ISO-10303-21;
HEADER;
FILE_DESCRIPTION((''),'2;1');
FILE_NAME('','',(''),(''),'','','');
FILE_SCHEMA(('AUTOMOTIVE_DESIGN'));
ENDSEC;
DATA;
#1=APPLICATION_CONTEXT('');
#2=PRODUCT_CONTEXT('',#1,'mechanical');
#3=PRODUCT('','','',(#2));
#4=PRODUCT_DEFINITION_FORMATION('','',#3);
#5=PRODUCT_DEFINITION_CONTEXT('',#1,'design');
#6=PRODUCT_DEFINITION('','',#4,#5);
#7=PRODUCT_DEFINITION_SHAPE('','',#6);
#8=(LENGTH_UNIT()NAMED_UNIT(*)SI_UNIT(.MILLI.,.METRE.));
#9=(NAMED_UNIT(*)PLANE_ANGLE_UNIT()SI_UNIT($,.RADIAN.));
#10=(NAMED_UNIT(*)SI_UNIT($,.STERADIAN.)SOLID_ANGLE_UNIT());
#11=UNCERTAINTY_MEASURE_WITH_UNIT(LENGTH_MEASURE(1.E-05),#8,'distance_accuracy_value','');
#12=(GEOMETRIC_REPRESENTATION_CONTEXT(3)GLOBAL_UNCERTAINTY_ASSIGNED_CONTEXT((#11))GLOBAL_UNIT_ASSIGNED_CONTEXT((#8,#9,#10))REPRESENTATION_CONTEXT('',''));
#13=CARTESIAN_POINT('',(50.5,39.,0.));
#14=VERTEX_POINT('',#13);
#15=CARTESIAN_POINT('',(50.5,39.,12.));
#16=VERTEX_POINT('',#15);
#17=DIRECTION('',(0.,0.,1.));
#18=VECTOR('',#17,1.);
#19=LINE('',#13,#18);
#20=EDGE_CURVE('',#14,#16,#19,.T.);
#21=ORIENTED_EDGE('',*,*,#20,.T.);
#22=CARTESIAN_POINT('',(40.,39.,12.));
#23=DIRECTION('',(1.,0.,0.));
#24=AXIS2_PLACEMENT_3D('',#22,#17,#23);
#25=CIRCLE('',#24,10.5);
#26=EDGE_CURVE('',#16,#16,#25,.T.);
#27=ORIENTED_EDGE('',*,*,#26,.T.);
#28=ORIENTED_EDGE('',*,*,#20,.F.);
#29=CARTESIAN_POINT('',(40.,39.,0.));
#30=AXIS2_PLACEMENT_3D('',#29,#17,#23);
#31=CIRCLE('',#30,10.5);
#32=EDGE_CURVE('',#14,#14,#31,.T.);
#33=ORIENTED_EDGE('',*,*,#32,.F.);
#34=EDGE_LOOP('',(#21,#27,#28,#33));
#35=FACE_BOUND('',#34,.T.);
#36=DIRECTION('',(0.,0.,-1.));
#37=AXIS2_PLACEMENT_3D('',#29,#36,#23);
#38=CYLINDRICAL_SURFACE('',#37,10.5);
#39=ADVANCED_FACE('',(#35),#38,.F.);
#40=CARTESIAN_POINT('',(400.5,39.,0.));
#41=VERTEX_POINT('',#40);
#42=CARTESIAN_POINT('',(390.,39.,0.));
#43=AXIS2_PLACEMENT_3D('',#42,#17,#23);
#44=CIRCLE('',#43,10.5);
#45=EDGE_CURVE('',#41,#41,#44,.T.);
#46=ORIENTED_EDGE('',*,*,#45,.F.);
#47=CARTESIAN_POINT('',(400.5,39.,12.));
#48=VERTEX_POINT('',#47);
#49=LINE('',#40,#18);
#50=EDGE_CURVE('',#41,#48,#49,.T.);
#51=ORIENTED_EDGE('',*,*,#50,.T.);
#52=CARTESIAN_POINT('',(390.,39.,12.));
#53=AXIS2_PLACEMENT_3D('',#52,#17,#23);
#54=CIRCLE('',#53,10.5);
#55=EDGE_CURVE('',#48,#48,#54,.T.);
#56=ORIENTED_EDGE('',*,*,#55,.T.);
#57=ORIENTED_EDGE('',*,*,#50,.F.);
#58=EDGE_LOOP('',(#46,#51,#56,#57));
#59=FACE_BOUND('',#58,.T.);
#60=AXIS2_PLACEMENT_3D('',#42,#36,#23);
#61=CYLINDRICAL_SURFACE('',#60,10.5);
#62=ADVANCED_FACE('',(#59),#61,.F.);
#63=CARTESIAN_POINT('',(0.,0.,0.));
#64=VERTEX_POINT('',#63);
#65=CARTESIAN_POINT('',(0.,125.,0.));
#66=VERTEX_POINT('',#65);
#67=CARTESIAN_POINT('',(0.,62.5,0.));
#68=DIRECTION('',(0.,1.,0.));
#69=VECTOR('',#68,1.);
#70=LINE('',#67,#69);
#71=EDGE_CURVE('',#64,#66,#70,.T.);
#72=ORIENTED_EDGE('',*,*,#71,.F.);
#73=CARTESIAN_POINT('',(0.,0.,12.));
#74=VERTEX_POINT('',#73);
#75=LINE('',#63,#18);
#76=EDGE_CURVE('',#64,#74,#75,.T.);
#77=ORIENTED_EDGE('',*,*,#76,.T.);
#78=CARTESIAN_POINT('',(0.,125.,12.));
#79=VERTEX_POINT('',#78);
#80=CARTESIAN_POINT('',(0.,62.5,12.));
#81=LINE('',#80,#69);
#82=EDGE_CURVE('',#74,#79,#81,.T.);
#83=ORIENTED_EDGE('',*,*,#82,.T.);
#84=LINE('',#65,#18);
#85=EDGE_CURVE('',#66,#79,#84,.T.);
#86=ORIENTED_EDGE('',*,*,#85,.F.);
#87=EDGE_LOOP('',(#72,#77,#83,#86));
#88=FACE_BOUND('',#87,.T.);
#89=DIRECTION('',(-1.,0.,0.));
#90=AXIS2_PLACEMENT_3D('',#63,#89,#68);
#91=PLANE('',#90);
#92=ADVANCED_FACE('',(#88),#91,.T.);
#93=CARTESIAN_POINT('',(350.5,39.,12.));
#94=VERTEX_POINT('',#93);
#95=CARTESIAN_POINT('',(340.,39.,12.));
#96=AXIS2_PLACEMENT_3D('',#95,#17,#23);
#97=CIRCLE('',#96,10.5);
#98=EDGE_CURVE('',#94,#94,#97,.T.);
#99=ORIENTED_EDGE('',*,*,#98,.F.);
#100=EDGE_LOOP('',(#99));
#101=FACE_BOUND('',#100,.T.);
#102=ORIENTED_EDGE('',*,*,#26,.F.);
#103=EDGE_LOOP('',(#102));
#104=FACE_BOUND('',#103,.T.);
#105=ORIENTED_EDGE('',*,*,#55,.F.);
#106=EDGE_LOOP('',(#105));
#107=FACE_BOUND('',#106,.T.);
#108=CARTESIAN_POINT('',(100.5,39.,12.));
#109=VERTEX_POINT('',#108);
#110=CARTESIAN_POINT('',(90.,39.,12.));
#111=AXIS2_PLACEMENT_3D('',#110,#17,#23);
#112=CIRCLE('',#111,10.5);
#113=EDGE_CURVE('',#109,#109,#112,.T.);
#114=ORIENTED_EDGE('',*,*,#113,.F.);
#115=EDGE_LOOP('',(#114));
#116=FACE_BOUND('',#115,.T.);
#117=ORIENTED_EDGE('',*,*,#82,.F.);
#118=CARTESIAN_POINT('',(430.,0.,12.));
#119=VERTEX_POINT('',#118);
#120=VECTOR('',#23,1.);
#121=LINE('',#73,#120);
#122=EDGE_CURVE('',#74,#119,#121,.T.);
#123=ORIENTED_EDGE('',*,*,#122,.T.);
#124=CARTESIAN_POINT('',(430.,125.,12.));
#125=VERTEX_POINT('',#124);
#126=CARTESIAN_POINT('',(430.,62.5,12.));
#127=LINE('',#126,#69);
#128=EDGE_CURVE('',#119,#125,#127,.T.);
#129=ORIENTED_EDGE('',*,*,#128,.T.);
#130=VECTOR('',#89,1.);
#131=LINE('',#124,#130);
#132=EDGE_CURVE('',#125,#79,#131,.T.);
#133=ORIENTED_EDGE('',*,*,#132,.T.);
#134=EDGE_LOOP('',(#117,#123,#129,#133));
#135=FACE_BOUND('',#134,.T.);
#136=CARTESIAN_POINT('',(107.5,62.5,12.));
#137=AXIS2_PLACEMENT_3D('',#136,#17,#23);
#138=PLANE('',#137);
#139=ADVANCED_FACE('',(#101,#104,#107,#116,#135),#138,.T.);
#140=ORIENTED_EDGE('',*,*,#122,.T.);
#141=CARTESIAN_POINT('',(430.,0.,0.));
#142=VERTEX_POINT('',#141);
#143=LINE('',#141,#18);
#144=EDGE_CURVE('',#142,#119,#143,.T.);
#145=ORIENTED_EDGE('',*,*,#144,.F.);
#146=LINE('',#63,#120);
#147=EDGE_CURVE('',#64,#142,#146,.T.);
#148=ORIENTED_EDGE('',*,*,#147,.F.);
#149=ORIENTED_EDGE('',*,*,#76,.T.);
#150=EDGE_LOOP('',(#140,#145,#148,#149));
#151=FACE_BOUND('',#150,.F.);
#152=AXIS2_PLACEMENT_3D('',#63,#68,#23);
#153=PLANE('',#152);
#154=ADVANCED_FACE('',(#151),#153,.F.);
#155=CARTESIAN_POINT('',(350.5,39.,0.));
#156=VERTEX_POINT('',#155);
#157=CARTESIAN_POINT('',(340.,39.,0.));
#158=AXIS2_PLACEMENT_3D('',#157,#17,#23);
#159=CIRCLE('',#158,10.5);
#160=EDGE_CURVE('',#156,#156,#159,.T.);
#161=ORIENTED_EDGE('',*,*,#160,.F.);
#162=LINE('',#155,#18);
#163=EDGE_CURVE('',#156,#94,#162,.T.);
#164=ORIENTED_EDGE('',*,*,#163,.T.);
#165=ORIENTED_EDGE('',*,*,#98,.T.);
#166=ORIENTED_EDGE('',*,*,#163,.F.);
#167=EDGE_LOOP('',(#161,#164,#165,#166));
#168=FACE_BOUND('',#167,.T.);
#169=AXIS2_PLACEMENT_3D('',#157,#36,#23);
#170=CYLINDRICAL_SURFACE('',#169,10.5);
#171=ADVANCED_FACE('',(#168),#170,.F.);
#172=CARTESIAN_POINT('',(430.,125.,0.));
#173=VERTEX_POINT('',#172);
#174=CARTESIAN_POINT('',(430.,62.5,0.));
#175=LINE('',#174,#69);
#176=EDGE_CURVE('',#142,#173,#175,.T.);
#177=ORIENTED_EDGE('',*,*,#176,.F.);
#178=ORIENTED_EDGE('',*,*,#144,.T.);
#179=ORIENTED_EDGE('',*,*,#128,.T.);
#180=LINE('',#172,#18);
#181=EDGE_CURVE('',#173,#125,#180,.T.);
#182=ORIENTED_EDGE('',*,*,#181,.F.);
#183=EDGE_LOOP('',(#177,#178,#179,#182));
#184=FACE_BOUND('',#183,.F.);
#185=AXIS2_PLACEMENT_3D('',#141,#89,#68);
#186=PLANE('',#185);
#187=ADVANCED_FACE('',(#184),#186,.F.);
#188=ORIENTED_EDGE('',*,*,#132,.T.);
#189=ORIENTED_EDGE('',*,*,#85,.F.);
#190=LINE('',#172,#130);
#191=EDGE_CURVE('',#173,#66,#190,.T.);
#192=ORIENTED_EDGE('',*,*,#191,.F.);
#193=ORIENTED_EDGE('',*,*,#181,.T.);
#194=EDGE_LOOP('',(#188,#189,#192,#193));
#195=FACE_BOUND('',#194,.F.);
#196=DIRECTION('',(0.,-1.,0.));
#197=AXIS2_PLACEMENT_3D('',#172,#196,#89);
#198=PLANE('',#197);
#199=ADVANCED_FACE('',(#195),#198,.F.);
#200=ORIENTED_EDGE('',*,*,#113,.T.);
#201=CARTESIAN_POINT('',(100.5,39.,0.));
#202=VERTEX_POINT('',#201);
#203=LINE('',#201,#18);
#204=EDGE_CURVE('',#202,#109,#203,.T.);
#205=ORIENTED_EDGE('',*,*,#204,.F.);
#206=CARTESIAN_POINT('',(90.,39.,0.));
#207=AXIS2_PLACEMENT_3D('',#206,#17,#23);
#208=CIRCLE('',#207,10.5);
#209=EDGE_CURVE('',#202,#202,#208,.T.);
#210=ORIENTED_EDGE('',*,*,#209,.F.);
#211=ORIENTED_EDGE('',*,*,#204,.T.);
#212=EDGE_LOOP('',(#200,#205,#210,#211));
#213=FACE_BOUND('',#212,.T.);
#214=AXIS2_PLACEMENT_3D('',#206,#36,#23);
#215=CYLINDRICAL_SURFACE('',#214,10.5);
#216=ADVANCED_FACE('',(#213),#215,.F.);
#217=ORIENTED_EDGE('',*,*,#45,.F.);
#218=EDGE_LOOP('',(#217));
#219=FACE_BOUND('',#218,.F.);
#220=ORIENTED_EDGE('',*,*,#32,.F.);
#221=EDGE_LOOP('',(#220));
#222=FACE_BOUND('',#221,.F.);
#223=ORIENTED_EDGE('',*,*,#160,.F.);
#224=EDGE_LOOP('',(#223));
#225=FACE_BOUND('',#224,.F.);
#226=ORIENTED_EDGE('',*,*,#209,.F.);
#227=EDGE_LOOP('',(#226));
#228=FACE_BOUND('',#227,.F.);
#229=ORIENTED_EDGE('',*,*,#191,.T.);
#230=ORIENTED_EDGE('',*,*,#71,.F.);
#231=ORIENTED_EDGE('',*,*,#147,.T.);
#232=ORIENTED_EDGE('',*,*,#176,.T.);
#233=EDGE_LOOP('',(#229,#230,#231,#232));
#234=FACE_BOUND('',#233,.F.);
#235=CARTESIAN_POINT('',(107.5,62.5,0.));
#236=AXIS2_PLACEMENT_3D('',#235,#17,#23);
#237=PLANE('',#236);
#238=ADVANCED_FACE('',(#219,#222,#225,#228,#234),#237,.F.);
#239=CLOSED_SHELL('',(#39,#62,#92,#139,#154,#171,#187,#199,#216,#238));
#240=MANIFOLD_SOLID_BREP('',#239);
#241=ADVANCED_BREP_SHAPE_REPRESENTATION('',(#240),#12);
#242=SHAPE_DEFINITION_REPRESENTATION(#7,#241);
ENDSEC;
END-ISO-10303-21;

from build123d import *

# Parameters (mm, degrees)
F0_W     = 215
F0_H     = 125
F0_R     = 10.5
F1_DEPTH = 12


with BuildPart() as f1:
    # F0 (on Top) → F1 (new body)
    with BuildSketch(Plane.XY):
        with Locations((107.5, 62.5)):
            Rectangle(F0_W, F0_H)
        with Locations((40, 39)):
            Circle(F0_R, mode=Mode.SUBTRACT)
        with Locations((90, 39)):
            Circle(F0_R, mode=Mode.SUBTRACT)
        with Locations((322.5, 62.5)):
            Rectangle(F0_W, F0_H)
        with Locations((340, 39)):
            Circle(F0_R, mode=Mode.SUBTRACT)
        with Locations((390, 39)):
            Circle(F0_R, mode=Mode.SUBTRACT)
    extrude(amount=F1_DEPTH)


solid = f1.part
